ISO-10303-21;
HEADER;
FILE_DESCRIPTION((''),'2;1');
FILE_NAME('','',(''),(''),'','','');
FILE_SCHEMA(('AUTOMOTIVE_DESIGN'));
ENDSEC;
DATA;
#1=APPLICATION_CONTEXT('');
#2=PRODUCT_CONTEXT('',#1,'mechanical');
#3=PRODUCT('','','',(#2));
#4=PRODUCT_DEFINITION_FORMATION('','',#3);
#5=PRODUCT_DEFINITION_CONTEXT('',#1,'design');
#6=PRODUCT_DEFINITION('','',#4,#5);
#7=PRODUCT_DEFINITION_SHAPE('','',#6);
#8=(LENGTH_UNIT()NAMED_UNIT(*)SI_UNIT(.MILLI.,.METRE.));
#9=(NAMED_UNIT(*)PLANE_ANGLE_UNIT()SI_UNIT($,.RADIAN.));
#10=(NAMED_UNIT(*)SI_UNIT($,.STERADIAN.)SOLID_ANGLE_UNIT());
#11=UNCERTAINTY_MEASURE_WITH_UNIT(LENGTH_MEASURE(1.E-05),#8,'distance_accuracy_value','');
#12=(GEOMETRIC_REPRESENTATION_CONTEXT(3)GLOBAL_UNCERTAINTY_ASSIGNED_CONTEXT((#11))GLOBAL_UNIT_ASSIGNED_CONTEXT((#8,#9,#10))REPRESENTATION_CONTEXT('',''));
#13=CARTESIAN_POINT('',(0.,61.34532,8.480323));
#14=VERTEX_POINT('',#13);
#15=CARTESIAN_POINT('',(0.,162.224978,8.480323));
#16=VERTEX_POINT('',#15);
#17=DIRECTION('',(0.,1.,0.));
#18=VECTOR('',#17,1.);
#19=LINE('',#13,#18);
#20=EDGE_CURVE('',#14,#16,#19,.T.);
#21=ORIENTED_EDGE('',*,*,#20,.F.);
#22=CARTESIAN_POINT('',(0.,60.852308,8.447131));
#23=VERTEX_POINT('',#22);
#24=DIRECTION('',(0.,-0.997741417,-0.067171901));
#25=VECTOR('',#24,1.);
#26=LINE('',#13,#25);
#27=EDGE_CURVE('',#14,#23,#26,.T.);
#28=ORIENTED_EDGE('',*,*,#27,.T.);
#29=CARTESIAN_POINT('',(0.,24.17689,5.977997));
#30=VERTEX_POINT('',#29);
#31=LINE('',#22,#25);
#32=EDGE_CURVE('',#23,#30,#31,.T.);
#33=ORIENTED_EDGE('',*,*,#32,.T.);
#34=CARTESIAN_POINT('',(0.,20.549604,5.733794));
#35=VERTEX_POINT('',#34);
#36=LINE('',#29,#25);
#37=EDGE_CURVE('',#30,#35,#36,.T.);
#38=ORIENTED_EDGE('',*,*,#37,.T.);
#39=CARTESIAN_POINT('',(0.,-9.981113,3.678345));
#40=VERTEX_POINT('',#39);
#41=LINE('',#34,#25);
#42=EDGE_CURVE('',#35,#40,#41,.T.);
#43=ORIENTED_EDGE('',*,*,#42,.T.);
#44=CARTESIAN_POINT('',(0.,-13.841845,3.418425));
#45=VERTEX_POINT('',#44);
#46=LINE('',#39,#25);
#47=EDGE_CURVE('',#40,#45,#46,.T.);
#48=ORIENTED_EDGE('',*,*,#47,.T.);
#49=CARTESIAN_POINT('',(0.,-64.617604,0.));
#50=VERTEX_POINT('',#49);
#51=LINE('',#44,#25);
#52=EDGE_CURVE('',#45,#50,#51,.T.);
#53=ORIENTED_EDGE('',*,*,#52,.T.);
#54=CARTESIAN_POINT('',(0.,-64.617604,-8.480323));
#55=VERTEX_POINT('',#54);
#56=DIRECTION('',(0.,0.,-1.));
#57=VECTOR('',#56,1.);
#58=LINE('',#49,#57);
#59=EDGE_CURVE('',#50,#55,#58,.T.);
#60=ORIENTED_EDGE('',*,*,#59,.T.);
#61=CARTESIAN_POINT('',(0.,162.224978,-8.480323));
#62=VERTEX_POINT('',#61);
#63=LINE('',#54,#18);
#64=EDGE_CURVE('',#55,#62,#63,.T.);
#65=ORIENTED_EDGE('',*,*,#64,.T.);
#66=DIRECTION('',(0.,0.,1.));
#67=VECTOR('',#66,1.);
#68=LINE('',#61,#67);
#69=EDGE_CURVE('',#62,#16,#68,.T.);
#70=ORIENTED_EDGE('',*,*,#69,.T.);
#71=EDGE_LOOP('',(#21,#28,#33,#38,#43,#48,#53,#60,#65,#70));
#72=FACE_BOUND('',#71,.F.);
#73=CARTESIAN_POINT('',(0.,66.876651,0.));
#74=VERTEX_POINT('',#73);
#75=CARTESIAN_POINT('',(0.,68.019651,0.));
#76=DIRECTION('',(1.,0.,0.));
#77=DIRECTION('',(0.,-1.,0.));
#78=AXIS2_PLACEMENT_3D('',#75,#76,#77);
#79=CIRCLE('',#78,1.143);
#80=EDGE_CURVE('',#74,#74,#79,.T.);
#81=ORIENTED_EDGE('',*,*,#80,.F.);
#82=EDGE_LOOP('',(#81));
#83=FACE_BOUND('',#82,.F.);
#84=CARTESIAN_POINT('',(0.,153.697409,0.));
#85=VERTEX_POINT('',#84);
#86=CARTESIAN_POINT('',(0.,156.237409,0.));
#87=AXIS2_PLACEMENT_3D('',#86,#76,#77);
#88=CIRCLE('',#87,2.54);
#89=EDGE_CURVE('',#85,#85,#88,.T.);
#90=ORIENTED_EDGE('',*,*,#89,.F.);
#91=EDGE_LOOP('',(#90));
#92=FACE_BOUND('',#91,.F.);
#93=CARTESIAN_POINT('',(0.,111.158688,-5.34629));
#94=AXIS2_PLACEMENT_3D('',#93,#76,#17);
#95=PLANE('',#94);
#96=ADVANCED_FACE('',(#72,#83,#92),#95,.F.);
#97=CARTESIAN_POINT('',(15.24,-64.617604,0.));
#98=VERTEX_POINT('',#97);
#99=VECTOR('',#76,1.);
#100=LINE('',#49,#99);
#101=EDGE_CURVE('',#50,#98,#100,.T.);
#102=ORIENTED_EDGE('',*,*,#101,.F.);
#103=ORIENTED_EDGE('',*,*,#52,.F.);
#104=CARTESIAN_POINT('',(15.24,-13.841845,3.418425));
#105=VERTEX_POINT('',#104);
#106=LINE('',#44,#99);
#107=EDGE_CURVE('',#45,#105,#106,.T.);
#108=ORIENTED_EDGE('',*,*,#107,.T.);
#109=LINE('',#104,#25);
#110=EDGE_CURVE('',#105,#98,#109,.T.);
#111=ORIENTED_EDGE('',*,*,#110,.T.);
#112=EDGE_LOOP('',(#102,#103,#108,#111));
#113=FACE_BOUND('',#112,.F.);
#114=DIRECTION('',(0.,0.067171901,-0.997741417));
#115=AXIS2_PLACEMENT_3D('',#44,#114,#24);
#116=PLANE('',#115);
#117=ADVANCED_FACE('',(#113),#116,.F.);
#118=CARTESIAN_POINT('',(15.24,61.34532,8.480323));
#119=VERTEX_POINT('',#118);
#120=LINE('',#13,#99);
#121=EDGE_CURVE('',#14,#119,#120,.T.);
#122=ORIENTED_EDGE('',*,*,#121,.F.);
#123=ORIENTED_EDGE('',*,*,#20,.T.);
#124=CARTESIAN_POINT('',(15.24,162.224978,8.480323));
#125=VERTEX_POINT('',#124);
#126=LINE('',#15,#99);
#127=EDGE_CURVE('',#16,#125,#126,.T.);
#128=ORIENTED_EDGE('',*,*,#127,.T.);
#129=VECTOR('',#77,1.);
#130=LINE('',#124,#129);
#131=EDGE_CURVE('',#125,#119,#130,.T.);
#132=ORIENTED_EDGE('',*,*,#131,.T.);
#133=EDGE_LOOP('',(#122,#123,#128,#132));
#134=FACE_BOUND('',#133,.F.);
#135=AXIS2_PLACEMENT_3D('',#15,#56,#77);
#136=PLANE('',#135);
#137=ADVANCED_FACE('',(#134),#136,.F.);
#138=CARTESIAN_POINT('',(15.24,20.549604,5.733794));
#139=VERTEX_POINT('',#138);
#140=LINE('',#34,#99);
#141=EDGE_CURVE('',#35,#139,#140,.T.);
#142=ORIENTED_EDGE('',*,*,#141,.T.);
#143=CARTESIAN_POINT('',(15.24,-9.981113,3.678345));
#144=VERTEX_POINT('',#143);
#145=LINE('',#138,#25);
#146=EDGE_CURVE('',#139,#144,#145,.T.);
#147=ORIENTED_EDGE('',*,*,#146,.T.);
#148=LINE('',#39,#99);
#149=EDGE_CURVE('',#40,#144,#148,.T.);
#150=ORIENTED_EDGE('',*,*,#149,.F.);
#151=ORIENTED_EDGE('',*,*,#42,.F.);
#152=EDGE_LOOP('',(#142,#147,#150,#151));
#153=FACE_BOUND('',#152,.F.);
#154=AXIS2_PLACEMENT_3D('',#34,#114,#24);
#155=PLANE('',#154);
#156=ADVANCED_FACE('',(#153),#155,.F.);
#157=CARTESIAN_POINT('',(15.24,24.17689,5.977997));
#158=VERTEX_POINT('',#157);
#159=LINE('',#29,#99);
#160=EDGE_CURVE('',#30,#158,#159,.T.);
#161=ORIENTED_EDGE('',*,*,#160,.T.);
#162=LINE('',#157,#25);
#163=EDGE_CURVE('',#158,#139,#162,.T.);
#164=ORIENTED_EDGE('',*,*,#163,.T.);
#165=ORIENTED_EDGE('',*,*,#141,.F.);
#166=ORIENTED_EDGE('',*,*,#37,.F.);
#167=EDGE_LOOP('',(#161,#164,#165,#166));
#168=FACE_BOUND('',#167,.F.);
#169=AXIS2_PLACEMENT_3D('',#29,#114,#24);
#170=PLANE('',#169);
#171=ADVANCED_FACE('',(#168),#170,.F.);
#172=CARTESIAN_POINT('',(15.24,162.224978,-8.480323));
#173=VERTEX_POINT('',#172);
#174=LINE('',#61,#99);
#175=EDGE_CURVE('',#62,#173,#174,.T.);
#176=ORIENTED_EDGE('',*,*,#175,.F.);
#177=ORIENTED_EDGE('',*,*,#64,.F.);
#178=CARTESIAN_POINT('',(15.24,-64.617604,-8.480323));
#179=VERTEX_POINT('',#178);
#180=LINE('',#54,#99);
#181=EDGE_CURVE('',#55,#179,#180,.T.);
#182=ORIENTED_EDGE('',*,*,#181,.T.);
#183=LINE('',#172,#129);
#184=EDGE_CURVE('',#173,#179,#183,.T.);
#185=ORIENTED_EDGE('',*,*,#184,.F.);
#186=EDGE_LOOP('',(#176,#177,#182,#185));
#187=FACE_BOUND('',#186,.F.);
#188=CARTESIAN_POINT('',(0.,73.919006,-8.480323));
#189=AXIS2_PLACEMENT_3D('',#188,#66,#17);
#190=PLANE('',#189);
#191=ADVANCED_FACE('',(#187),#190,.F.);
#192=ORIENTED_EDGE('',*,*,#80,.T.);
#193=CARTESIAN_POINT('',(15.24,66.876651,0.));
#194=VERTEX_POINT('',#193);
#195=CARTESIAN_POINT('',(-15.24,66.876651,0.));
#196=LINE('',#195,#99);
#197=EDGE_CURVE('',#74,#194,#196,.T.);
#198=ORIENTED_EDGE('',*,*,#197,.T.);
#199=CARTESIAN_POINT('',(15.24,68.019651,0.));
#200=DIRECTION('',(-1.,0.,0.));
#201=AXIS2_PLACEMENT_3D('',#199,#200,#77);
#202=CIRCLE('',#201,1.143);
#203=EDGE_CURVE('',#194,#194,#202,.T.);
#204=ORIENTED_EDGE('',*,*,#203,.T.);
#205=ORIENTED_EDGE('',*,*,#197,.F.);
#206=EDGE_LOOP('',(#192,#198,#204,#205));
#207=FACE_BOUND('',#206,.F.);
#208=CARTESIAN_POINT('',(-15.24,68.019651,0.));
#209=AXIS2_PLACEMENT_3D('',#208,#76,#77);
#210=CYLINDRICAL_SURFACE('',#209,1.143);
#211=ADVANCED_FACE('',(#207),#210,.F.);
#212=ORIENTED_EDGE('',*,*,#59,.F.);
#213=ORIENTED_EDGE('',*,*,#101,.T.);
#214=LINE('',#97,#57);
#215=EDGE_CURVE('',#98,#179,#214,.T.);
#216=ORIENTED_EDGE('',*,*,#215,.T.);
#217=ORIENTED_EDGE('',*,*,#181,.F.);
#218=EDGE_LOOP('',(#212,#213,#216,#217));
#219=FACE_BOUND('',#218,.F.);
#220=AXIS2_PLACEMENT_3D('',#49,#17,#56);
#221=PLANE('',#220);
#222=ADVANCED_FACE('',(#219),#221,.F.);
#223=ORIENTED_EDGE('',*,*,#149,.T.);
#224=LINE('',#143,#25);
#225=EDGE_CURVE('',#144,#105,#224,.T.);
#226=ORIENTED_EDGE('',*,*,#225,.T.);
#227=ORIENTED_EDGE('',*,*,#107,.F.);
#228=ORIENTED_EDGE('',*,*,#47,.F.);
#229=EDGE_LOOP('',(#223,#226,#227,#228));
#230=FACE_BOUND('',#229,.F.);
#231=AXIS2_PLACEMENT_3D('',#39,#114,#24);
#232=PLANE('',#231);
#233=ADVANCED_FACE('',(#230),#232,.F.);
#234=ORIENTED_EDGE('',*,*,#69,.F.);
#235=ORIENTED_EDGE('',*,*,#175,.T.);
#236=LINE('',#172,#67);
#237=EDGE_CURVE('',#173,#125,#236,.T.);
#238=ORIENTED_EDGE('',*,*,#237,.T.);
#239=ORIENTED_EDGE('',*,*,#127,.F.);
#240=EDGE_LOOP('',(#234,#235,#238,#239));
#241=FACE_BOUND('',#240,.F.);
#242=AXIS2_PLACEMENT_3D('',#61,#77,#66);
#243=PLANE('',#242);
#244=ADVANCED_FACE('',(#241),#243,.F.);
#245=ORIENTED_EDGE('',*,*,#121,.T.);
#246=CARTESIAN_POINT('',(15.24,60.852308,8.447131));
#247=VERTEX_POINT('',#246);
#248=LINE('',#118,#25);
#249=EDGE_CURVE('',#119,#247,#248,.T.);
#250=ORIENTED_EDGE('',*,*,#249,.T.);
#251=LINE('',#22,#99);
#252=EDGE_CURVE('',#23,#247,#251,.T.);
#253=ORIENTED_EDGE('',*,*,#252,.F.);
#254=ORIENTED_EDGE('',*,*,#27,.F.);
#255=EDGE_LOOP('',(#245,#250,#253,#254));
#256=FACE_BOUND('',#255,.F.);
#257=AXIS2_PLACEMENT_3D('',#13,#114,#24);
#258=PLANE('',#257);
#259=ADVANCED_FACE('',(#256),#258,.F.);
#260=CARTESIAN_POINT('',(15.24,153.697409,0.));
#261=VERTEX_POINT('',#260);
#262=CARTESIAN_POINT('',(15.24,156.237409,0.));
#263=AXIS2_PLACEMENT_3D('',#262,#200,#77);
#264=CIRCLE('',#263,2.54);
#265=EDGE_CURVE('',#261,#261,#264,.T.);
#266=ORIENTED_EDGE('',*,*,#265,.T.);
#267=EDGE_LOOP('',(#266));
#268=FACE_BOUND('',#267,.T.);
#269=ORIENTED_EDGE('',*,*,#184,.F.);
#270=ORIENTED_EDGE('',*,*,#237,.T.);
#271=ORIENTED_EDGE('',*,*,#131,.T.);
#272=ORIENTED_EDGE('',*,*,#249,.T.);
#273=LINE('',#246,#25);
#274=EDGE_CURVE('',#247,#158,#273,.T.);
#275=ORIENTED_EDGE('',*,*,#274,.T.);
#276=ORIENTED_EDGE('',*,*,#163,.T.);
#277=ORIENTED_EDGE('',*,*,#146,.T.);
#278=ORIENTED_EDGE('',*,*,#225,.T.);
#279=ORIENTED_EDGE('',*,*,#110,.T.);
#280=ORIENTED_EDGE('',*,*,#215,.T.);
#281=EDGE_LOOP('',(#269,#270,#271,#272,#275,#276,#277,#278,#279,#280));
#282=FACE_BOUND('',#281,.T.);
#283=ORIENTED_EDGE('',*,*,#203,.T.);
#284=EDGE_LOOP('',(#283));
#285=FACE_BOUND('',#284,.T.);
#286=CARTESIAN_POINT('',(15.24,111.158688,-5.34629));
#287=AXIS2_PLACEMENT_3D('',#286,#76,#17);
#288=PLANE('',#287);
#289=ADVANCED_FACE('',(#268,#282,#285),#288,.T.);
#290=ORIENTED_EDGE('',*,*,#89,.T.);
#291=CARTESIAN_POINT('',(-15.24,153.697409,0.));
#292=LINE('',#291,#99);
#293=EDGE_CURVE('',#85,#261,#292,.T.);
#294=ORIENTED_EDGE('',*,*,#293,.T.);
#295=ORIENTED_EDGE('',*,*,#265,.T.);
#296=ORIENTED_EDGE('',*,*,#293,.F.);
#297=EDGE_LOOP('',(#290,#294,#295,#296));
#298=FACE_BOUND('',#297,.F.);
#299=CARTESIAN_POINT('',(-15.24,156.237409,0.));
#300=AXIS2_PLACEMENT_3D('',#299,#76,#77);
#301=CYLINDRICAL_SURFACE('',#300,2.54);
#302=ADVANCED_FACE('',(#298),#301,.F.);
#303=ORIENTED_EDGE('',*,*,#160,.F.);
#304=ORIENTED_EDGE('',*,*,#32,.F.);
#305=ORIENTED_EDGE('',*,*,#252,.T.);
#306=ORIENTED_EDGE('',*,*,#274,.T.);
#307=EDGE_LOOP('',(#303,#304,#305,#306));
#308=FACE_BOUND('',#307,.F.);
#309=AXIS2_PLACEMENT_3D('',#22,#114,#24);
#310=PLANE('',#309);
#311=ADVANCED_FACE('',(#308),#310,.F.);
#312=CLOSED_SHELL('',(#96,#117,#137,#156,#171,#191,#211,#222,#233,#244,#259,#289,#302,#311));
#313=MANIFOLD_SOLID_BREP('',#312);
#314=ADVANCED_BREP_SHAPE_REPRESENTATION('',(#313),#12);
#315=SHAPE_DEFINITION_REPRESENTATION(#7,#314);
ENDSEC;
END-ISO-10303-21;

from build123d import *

# Parameters (mm, degrees)
F1_DEPTH = 15.24
F2_D     = 2.286
F2_DEPTH = 15.24
F2_TIP   = 0.6867836875
F3_D     = 5.08
F3_DEPTH = 15.24
F3_TIP   = 1.5261859723
F4_DEPTH = 15.24
F0_W     = 74.4793638587
F0_H     = 6.2680644915
F0_H_2   = 5.8993548155
F5_DEPTH = 15.24


with BuildPart() as f1:
    # F0 (on Right) → F1 (new body)
    with BuildSketch(Plane.YZ):
        Polygon((60.8523078263, 8.4471310302), (60.8523078263, -8.4803225473), (73.919005692, -8.4803225473), (73.919005692, -2.2122580558), (148.3983695507, -2.2122580558), (148.3983695507, -8.4803225473), (162.2249782085, -8.4803225473), (162.2249782085, 8.4803225473), (148.3983695507, 8.4803225473), (148.3983695507, 2.5809677318), (73.919005692, 2.5809677318), (73.919005692, 8.4803225473), (61.3453197977, 8.4803225473), align=None)
    extrude(amount=F1_DEPTH)

    # F2
    with Locations(Plane(origin=(0, 0, 0), x_dir=(0, 1, 0), z_dir=(-1, 0, 0))):
        with Locations((68.0196508765, 0)):
            Hole(F2_D / 2, depth=F2_DEPTH)
            with Locations((0, 0, -(F2_DEPTH + F2_TIP / 2))):  # 118° drill point
                Cone(0, F2_D / 2, F2_TIP, mode=Mode.SUBTRACT)

    # F3
    with Locations(Plane(origin=(0, 0, 0), x_dir=(0, 1, 0), z_dir=(-1, 0, 0))):
        with Locations((156.2374085188, 0)):
            Hole(F3_D / 2, depth=F3_DEPTH)
            with Locations((0, 0, -(F3_DEPTH + F3_TIP / 2))):  # 118° drill point
                Cone(0, F3_D / 2, F3_TIP, mode=Mode.SUBTRACT)

    # F0 (on Right) → F4 (join)
    with BuildSketch(Plane.YZ):
        Polygon((-64.6176040173, 0), (-64.6176040173, -8.4803225473), (-54.0782185303, -8.4803225473), (-54.0782185303, 0.7095531421), align=None)
        Polygon((-54.0782185303, 0.7095531421), (-54.0782185303, -8.4803225473), (-13.8418450952, -8.4803225473), (-13.8418450952, 3.4184250429), align=None)
        Polygon((-13.8418450952, 3.4184250429), (-13.8418450952, -8.4803225473), (-9.9811125547, -8.4803225473), (-9.9811125547, 3.6783448369), align=None)
        Polygon((-9.9811125547, 3.6783448369), (-9.9811125547, -8.4803225473), (20.5496044121, -8.4803225473), (20.5496044121, 5.7337935327), align=None)
        Polygon((24.1768896074, 5.9779967275), (24.1768896074, -8.4803225473), (60.8523078263, -8.4803225473), (60.8523078263, 8.4471310302), align=None)
        Polygon((20.5496044121, 5.7337935327), (20.5496044121, -8.4803225473), (24.1768896074, -8.4803225473), (24.1768896074, 5.9779967275), align=None)
    extrude(amount=F4_DEPTH)

    # F0 (on Right) → F5 (join)
    with BuildSketch(Plane.YZ):
        with Locations((111.1586876214, -5.3462903015)):
            Rectangle(F0_W, F0_H)
        with Locations((111.1586876214, 5.5306451395)):
            Rectangle(F0_W, F0_H_2)
    extrude(amount=F5_DEPTH)


solid = f1.part
